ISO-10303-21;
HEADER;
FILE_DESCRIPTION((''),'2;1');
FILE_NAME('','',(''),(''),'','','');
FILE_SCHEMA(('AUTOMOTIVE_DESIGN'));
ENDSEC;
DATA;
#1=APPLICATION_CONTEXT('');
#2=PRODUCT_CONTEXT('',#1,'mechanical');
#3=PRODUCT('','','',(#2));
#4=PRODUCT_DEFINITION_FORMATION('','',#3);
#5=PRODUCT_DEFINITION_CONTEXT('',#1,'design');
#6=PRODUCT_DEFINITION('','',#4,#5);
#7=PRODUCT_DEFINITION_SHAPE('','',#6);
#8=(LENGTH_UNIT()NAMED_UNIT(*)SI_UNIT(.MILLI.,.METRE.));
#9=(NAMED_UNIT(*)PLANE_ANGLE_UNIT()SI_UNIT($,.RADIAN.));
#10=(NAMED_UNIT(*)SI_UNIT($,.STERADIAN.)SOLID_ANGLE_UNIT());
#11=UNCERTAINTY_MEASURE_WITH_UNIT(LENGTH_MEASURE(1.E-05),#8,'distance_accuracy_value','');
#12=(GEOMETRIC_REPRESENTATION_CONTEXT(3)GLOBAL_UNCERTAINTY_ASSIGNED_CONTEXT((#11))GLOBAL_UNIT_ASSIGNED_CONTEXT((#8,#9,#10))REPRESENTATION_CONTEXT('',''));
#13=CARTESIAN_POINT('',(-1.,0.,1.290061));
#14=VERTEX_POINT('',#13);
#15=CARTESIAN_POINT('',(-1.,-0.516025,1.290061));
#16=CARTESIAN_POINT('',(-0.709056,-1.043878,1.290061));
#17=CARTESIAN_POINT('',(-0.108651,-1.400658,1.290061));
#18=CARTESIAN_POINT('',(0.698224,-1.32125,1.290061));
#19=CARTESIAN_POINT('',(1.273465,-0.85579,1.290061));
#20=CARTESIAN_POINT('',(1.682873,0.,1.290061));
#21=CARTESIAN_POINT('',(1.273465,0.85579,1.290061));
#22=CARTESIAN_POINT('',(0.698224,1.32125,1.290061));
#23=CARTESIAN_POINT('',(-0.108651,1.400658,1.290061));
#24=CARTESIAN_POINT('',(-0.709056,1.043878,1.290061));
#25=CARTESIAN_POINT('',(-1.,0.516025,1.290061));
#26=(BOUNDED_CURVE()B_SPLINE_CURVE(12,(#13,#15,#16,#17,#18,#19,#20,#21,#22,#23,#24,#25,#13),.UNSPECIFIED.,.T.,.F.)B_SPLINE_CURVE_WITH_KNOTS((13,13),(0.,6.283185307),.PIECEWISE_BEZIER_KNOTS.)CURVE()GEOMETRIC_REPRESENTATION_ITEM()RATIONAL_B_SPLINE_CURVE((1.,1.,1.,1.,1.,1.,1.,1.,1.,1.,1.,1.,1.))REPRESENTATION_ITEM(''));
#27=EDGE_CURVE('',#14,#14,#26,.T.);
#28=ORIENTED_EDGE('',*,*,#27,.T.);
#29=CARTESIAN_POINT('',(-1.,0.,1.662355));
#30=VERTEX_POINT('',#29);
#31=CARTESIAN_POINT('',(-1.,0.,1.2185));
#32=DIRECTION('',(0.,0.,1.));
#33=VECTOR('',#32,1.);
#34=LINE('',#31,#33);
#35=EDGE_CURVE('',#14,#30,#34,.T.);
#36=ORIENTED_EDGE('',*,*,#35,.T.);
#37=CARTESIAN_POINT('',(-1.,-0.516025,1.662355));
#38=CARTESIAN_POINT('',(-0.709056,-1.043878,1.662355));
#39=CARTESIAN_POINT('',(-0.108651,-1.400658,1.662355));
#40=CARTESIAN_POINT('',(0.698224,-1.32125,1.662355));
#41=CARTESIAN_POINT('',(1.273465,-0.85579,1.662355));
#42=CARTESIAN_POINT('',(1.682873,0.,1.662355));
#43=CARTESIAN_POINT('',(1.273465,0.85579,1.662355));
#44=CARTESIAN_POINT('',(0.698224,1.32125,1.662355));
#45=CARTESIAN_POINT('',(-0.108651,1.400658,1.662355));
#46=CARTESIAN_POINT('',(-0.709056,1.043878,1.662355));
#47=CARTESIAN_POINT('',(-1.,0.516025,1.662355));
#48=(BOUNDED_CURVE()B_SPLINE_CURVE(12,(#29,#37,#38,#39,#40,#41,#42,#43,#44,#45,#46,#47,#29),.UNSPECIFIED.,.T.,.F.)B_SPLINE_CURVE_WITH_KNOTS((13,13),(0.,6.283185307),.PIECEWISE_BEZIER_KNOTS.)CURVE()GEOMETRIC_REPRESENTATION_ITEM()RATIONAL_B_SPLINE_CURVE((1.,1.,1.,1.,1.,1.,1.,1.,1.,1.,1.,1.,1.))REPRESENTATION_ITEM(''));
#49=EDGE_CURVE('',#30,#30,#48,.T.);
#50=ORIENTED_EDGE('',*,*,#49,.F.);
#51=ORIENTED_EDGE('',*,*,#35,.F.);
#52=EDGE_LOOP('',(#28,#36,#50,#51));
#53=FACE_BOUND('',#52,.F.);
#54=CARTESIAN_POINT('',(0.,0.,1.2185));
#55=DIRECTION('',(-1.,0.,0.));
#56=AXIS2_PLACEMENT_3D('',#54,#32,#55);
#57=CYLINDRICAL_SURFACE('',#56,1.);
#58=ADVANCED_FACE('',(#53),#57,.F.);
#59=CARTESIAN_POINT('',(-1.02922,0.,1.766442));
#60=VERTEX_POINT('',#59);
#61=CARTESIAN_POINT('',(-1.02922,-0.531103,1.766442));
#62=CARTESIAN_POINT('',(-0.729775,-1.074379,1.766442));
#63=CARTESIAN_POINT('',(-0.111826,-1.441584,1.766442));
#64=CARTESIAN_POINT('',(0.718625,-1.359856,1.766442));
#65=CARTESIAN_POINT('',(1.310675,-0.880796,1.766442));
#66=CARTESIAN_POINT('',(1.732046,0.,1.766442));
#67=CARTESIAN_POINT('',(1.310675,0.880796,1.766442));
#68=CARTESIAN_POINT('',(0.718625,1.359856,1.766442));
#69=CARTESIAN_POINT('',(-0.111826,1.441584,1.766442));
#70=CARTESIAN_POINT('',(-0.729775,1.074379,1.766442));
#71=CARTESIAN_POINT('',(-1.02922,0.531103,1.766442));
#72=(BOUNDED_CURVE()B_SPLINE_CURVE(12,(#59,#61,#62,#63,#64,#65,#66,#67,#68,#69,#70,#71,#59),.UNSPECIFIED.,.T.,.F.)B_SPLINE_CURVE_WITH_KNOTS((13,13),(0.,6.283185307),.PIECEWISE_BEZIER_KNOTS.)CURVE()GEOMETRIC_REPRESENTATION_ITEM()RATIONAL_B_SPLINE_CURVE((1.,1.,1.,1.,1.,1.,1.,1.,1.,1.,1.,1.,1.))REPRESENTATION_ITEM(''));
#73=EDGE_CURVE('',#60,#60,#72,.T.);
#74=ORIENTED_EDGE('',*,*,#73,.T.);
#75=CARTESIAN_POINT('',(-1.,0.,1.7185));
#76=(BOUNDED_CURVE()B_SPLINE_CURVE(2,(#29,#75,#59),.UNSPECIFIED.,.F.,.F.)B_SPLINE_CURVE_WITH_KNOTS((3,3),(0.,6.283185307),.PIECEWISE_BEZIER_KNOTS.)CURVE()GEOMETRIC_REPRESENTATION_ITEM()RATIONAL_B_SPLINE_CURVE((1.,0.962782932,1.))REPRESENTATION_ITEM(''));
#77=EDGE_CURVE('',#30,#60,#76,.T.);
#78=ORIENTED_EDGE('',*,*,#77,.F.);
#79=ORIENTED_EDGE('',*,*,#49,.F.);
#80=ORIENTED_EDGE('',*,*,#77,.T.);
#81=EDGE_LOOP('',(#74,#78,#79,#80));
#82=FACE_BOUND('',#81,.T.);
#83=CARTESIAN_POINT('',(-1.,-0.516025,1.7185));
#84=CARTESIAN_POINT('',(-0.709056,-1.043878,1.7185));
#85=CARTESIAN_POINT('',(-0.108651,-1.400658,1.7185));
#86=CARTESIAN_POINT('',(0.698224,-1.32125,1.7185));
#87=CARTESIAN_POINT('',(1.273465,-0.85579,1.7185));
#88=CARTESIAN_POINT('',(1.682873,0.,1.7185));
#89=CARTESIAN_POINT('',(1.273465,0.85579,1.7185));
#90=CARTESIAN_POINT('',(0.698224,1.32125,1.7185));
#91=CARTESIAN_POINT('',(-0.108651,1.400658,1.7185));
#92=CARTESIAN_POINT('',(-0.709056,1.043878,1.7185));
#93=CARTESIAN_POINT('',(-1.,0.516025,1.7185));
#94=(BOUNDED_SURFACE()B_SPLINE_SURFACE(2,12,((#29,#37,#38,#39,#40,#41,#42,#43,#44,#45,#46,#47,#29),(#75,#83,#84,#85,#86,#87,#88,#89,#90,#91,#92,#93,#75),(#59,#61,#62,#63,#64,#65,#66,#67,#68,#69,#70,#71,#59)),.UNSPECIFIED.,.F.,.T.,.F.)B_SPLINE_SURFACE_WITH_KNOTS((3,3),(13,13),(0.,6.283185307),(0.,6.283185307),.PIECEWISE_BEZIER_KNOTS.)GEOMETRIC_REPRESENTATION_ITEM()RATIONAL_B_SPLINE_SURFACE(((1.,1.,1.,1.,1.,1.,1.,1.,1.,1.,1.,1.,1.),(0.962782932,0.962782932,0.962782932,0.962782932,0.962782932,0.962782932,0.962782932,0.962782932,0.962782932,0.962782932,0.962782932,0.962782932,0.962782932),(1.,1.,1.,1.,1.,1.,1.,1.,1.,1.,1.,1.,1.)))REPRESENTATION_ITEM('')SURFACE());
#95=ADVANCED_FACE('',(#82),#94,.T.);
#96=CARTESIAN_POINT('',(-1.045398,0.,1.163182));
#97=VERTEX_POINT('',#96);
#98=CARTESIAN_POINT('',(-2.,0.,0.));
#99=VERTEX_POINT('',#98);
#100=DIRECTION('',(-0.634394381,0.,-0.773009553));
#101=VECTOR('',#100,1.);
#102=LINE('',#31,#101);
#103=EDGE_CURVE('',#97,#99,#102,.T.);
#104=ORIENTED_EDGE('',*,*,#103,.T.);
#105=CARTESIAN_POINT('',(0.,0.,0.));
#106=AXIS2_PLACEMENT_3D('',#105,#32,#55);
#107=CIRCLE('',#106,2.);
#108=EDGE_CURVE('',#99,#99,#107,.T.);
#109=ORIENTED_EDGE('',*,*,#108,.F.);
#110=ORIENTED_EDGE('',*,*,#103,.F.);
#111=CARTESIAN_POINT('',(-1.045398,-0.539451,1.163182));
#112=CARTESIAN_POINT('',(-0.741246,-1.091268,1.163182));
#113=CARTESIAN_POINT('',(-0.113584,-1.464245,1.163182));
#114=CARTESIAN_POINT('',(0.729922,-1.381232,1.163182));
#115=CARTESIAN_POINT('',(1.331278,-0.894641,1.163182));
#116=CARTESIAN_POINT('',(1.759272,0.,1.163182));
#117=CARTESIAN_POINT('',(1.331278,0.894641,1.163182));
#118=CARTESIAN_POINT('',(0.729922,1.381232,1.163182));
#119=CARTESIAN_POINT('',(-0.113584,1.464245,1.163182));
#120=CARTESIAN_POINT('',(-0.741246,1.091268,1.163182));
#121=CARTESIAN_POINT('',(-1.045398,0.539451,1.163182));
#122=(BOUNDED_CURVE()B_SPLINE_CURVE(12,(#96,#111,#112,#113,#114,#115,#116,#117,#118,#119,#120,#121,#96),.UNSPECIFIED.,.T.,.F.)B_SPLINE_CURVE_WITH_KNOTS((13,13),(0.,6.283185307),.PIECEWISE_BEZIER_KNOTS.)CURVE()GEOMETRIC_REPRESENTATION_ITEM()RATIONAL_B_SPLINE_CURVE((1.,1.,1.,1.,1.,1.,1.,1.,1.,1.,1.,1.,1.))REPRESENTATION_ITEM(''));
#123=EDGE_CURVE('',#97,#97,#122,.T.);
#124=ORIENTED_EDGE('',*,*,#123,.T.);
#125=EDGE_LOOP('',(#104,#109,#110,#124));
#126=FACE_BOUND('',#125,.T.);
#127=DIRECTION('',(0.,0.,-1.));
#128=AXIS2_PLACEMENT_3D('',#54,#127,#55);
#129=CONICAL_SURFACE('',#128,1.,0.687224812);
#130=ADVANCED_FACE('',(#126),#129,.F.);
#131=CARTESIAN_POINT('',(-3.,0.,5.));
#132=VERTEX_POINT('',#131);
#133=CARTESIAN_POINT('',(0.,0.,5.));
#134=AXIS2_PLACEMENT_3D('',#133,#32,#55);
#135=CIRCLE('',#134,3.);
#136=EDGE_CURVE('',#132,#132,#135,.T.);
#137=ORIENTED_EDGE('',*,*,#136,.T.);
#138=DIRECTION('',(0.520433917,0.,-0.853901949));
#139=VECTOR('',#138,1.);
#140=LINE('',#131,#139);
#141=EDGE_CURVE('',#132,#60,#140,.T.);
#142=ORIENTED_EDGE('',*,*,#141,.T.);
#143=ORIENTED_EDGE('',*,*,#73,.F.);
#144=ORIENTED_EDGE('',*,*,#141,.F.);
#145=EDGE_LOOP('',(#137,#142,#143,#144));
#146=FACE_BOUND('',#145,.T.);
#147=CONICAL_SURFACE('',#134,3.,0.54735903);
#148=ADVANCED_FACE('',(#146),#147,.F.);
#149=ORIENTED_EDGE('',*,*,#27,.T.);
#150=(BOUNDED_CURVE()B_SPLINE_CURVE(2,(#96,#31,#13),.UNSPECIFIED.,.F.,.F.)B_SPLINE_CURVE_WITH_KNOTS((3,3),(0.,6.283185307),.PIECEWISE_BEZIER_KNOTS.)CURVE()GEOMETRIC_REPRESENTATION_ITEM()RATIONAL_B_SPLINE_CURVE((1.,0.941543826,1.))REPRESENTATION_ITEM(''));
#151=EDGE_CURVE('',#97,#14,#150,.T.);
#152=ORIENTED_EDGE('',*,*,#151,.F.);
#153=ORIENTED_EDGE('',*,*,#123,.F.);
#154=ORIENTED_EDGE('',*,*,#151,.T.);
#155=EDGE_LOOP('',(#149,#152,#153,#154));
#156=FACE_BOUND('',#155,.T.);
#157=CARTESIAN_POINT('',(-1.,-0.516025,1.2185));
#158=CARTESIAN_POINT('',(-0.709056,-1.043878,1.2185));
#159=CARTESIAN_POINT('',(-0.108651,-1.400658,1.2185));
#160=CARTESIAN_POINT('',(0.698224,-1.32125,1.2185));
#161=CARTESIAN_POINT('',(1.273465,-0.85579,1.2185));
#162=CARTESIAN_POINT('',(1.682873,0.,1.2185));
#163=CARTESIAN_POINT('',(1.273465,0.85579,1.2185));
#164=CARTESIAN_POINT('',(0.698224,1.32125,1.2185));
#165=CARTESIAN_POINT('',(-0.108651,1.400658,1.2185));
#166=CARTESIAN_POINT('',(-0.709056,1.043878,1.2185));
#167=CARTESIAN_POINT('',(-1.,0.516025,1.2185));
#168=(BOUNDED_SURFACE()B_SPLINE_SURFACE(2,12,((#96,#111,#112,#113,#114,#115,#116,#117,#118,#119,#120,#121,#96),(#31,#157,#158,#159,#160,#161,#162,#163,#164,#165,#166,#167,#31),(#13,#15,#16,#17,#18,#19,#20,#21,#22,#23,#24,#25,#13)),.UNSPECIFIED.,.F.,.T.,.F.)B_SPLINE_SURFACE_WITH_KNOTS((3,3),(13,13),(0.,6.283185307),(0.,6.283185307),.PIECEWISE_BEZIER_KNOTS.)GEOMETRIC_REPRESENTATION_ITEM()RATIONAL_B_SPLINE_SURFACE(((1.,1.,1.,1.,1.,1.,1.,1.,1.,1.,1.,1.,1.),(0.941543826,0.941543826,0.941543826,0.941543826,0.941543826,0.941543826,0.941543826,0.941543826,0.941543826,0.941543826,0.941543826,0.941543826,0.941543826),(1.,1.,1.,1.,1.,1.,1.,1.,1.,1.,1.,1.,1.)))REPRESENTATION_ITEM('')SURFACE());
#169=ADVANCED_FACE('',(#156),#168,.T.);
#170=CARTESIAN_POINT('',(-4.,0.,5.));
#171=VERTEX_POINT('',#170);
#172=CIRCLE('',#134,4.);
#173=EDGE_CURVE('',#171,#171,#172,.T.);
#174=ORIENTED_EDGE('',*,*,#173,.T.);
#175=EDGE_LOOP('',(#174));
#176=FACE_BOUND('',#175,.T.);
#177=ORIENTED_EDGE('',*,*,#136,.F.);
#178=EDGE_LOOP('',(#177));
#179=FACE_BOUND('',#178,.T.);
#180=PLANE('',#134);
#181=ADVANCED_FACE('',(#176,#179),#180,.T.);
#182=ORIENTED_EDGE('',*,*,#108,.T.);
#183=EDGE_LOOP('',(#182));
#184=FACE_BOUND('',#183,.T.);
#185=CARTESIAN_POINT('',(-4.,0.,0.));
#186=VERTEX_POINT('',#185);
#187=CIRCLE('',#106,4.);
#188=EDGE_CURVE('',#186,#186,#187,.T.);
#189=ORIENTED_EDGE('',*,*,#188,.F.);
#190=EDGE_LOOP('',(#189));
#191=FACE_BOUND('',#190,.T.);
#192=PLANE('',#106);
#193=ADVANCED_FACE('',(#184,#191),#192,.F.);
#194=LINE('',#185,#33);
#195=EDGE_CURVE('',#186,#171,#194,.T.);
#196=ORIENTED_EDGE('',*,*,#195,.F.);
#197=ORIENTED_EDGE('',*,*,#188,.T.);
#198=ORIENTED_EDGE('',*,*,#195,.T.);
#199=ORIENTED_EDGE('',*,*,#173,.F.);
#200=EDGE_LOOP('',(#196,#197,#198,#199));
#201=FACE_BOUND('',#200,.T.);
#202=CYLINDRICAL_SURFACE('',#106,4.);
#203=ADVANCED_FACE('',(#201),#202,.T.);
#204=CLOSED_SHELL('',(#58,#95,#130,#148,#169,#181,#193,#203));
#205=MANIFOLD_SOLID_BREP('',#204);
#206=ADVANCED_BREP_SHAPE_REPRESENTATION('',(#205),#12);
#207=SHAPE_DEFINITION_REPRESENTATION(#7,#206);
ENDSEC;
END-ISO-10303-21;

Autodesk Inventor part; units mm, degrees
ref_plane "YZ Plane" through (0, 0, 0) normal (1, 0, 0) x (0, 1, 0)
ref_plane "XZ Plane" through (0, 0, 0) normal (0, 1, 0) x (-1, 0, 0)
ref_plane "XY Plane" through (0, 0, 0) normal (0, 0, 1) x (1, 0, 0)
sketch "Sketch2" plane through (0, 0, 0) normal (0, 1, 0) x (-1, 0, 0)
  line L0 (4, 0) -> (4, 5)
  line L1 (0, -0.9936) -> (0, 4.4305)
  line L2 (4, 5) -> (4, 0)
  line L3 (1, 1.2185) -> (1, 1.7185)
  line L4 (1, 1.2185) -> (2, 0)
  line L5 (2, 0) -> (4, 0)
  line L6 (4, 5) -> (3, 5)
  line L7 (3, 5) -> (1, 1.7185)
  point P0 (0, 0)
  dimension "d4" = 5
  dimension "d16" = 1
  dimension "d18" = 2
  dimension "d24" = 1
  dimension "d25" = 4
revolve "Revolution2" add sketch "Sketch2" angle 360 about axis through (0, 0, -0.9936) along (0, 0, 1)
fillet "Fillet3" radius 0.2 2 edges at (1, 0, 1.7185) (1, 0, 1.2185)
properties part number "nozzle_small" material "Glass"
